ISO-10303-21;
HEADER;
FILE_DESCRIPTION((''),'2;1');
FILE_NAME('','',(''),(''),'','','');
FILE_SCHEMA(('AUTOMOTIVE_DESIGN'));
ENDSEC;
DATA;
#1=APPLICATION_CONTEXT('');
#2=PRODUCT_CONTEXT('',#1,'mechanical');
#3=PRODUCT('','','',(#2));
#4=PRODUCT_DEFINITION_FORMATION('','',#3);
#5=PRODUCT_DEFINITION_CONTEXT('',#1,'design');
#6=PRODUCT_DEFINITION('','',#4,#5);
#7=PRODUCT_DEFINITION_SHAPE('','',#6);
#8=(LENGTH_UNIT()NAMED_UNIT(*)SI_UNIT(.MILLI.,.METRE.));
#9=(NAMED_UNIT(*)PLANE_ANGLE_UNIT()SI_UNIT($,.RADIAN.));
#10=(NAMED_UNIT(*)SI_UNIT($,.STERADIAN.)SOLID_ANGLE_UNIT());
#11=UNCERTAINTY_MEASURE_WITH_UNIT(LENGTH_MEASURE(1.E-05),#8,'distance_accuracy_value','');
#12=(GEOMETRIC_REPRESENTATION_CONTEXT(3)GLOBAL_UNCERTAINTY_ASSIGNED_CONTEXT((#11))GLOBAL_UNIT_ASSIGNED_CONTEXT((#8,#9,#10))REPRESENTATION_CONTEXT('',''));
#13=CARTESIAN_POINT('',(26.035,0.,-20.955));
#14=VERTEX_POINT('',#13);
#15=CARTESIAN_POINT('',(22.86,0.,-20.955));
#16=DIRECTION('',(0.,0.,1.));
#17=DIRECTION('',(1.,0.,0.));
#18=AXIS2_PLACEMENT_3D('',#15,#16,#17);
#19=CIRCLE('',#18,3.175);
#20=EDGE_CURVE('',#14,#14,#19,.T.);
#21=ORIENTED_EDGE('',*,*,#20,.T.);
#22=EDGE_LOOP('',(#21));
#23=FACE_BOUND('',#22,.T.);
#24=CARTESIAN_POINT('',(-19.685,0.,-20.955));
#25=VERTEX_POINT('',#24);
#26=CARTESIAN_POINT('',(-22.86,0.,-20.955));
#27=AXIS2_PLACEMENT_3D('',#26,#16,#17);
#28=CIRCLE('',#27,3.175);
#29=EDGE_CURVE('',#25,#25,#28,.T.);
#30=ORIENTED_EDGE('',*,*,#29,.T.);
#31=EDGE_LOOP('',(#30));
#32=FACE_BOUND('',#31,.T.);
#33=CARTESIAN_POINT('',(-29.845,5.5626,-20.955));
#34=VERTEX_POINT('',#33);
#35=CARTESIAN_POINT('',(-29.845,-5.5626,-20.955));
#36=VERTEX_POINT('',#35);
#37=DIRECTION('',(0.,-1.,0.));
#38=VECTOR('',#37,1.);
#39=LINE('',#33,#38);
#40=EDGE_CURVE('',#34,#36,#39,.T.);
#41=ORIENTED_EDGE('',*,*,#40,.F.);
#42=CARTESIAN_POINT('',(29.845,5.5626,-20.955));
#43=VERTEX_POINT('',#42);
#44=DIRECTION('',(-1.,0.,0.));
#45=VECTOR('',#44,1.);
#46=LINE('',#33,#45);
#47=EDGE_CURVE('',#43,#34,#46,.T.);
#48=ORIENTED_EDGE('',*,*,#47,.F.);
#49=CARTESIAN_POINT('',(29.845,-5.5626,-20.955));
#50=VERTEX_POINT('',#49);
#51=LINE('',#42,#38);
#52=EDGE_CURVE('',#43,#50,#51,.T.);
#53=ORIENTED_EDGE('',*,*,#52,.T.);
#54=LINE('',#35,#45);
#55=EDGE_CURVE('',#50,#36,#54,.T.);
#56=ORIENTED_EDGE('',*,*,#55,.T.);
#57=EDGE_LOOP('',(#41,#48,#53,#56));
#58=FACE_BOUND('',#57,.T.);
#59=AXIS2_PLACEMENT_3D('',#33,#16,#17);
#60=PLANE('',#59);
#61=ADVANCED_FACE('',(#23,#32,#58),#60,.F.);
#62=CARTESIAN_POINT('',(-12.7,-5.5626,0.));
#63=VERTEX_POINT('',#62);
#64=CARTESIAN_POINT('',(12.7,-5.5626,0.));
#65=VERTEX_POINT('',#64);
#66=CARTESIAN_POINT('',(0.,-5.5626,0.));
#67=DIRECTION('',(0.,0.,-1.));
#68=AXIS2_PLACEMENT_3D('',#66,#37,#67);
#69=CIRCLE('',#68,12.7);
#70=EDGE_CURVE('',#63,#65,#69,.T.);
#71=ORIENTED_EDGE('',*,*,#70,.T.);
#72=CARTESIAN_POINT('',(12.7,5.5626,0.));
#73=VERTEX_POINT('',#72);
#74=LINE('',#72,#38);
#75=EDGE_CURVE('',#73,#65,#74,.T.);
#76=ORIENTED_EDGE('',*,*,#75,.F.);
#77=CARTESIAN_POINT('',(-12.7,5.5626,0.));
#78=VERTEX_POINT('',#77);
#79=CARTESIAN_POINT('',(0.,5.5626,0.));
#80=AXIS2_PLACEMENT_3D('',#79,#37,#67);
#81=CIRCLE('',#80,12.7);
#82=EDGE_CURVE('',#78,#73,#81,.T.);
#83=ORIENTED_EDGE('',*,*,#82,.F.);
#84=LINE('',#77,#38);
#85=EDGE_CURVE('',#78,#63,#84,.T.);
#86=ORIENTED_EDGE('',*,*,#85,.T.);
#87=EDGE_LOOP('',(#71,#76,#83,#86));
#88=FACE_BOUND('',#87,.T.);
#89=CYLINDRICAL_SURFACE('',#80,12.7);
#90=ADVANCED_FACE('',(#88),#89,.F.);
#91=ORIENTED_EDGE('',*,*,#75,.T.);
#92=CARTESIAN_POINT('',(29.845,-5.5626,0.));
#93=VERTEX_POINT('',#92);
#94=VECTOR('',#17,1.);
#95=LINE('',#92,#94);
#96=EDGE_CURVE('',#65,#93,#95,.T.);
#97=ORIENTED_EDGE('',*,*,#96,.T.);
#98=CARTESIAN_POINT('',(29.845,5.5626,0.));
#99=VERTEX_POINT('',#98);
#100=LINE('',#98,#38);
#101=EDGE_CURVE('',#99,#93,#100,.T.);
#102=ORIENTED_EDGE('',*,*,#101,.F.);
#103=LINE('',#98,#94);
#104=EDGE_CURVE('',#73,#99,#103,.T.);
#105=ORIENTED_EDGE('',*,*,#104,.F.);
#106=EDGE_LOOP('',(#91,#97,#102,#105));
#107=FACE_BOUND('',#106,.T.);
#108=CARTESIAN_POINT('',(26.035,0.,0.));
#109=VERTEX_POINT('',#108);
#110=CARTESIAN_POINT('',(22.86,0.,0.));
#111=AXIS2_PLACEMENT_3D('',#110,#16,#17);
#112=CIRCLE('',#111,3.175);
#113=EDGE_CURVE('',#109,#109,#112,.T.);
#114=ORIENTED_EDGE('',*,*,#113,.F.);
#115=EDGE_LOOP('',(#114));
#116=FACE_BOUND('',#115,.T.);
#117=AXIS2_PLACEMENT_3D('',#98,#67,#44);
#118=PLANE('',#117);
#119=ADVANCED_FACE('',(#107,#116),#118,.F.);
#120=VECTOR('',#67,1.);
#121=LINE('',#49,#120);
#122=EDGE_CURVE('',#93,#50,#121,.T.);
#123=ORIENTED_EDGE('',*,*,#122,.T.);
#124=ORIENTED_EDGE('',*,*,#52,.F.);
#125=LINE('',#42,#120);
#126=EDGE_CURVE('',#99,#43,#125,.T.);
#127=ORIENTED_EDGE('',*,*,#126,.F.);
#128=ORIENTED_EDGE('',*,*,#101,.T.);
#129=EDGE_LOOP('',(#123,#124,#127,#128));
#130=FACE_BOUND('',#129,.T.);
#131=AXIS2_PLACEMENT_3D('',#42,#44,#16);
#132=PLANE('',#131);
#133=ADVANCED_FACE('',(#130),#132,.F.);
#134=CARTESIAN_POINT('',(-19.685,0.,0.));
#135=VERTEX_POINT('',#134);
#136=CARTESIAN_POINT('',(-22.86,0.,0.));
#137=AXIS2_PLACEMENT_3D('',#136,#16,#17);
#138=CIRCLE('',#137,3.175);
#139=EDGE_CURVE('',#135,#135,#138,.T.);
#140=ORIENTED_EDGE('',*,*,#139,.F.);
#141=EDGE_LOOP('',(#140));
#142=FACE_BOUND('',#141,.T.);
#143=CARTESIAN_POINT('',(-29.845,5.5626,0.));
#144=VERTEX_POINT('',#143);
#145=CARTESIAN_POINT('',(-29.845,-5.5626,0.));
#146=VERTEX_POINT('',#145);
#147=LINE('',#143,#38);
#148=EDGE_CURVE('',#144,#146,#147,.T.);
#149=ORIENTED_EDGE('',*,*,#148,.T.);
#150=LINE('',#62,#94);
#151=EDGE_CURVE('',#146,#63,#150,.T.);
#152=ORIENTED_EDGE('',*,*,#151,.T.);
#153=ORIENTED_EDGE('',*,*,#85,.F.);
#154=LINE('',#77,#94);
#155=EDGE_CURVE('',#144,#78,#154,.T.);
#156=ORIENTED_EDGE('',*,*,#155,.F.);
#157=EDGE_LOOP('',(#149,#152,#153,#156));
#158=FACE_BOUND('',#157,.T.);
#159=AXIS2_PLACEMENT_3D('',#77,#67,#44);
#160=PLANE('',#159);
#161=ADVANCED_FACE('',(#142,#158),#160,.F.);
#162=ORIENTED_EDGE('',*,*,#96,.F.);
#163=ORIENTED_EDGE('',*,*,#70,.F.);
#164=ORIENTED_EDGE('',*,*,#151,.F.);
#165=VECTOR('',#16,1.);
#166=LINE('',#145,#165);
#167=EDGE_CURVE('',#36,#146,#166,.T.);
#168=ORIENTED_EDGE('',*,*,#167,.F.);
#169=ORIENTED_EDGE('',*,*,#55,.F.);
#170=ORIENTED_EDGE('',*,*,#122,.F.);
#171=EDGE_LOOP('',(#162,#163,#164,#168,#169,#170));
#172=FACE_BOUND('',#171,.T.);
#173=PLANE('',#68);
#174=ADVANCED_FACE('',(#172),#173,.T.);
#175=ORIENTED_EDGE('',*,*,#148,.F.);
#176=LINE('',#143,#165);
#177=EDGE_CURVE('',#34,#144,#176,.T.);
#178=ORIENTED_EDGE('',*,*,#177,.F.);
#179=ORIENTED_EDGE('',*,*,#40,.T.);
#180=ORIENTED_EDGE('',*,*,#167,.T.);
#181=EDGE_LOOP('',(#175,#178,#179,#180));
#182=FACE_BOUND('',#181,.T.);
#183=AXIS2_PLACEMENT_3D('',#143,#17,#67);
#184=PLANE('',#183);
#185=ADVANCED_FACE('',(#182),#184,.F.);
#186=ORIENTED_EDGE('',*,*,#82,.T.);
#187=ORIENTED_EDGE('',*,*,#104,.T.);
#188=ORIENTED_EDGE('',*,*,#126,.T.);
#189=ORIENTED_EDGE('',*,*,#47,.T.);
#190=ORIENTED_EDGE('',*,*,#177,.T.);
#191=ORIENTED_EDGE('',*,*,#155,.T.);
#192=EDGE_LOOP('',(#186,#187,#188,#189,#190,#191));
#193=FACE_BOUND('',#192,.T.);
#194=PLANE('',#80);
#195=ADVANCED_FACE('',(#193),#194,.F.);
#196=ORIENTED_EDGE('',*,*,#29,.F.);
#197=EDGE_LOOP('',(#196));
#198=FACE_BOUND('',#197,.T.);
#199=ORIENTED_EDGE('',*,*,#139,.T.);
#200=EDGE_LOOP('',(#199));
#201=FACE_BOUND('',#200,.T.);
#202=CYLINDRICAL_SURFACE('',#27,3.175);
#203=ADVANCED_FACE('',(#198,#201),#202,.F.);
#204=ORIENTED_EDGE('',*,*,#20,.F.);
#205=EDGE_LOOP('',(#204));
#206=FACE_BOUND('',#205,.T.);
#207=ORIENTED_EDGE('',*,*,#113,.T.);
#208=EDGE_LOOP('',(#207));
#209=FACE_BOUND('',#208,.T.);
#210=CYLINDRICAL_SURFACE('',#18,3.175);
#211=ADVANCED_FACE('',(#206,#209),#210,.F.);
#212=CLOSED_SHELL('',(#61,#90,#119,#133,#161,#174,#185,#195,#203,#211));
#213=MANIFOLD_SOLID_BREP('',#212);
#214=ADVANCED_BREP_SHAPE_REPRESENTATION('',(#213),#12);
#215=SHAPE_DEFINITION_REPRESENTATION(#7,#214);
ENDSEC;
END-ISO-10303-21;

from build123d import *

# Parameters (mm, degrees)
BOSS_EXTRUDE1_DEPTH = 5.5626
SKETCH2_R           = 3.175
CUT_EXTRUDE1_DEPTH  = 37.888732274


with BuildPart() as part:
    # Sketch1 → Boss-Extrude1 (new, symmetric)
    with BuildSketch(Plane(origin=(0, 0, 0), x_dir=(1, 0, 0), z_dir=(0, 1, 0))):
        with BuildLine():
            Line((-12.7, 0), (-29.845, 0))
            Line((-29.845, 0), (-29.845, 20.955))
            Line((-29.845, 20.955), (29.845, 20.955))
            Line((29.845, 20.955), (29.845, 0))
            Line((29.845, 0), (12.7, 0))
            ThreePointArc((12.7, 0), (0, 12.7), (-12.7, 0))
        make_face()
    extrude(amount=BOSS_EXTRUDE1_DEPTH, both=True)

    # Sketch2 → Cut-Extrude1 (cut, through all)
    with BuildSketch(Plane.XY):
        with Locations((-22.86, 0)):
            Circle(SKETCH2_R)
        with Locations((22.86, 0)):
            Circle(SKETCH2_R)
    extrude(amount=-CUT_EXTRUDE1_DEPTH, mode=Mode.SUBTRACT)


solid = part.part
